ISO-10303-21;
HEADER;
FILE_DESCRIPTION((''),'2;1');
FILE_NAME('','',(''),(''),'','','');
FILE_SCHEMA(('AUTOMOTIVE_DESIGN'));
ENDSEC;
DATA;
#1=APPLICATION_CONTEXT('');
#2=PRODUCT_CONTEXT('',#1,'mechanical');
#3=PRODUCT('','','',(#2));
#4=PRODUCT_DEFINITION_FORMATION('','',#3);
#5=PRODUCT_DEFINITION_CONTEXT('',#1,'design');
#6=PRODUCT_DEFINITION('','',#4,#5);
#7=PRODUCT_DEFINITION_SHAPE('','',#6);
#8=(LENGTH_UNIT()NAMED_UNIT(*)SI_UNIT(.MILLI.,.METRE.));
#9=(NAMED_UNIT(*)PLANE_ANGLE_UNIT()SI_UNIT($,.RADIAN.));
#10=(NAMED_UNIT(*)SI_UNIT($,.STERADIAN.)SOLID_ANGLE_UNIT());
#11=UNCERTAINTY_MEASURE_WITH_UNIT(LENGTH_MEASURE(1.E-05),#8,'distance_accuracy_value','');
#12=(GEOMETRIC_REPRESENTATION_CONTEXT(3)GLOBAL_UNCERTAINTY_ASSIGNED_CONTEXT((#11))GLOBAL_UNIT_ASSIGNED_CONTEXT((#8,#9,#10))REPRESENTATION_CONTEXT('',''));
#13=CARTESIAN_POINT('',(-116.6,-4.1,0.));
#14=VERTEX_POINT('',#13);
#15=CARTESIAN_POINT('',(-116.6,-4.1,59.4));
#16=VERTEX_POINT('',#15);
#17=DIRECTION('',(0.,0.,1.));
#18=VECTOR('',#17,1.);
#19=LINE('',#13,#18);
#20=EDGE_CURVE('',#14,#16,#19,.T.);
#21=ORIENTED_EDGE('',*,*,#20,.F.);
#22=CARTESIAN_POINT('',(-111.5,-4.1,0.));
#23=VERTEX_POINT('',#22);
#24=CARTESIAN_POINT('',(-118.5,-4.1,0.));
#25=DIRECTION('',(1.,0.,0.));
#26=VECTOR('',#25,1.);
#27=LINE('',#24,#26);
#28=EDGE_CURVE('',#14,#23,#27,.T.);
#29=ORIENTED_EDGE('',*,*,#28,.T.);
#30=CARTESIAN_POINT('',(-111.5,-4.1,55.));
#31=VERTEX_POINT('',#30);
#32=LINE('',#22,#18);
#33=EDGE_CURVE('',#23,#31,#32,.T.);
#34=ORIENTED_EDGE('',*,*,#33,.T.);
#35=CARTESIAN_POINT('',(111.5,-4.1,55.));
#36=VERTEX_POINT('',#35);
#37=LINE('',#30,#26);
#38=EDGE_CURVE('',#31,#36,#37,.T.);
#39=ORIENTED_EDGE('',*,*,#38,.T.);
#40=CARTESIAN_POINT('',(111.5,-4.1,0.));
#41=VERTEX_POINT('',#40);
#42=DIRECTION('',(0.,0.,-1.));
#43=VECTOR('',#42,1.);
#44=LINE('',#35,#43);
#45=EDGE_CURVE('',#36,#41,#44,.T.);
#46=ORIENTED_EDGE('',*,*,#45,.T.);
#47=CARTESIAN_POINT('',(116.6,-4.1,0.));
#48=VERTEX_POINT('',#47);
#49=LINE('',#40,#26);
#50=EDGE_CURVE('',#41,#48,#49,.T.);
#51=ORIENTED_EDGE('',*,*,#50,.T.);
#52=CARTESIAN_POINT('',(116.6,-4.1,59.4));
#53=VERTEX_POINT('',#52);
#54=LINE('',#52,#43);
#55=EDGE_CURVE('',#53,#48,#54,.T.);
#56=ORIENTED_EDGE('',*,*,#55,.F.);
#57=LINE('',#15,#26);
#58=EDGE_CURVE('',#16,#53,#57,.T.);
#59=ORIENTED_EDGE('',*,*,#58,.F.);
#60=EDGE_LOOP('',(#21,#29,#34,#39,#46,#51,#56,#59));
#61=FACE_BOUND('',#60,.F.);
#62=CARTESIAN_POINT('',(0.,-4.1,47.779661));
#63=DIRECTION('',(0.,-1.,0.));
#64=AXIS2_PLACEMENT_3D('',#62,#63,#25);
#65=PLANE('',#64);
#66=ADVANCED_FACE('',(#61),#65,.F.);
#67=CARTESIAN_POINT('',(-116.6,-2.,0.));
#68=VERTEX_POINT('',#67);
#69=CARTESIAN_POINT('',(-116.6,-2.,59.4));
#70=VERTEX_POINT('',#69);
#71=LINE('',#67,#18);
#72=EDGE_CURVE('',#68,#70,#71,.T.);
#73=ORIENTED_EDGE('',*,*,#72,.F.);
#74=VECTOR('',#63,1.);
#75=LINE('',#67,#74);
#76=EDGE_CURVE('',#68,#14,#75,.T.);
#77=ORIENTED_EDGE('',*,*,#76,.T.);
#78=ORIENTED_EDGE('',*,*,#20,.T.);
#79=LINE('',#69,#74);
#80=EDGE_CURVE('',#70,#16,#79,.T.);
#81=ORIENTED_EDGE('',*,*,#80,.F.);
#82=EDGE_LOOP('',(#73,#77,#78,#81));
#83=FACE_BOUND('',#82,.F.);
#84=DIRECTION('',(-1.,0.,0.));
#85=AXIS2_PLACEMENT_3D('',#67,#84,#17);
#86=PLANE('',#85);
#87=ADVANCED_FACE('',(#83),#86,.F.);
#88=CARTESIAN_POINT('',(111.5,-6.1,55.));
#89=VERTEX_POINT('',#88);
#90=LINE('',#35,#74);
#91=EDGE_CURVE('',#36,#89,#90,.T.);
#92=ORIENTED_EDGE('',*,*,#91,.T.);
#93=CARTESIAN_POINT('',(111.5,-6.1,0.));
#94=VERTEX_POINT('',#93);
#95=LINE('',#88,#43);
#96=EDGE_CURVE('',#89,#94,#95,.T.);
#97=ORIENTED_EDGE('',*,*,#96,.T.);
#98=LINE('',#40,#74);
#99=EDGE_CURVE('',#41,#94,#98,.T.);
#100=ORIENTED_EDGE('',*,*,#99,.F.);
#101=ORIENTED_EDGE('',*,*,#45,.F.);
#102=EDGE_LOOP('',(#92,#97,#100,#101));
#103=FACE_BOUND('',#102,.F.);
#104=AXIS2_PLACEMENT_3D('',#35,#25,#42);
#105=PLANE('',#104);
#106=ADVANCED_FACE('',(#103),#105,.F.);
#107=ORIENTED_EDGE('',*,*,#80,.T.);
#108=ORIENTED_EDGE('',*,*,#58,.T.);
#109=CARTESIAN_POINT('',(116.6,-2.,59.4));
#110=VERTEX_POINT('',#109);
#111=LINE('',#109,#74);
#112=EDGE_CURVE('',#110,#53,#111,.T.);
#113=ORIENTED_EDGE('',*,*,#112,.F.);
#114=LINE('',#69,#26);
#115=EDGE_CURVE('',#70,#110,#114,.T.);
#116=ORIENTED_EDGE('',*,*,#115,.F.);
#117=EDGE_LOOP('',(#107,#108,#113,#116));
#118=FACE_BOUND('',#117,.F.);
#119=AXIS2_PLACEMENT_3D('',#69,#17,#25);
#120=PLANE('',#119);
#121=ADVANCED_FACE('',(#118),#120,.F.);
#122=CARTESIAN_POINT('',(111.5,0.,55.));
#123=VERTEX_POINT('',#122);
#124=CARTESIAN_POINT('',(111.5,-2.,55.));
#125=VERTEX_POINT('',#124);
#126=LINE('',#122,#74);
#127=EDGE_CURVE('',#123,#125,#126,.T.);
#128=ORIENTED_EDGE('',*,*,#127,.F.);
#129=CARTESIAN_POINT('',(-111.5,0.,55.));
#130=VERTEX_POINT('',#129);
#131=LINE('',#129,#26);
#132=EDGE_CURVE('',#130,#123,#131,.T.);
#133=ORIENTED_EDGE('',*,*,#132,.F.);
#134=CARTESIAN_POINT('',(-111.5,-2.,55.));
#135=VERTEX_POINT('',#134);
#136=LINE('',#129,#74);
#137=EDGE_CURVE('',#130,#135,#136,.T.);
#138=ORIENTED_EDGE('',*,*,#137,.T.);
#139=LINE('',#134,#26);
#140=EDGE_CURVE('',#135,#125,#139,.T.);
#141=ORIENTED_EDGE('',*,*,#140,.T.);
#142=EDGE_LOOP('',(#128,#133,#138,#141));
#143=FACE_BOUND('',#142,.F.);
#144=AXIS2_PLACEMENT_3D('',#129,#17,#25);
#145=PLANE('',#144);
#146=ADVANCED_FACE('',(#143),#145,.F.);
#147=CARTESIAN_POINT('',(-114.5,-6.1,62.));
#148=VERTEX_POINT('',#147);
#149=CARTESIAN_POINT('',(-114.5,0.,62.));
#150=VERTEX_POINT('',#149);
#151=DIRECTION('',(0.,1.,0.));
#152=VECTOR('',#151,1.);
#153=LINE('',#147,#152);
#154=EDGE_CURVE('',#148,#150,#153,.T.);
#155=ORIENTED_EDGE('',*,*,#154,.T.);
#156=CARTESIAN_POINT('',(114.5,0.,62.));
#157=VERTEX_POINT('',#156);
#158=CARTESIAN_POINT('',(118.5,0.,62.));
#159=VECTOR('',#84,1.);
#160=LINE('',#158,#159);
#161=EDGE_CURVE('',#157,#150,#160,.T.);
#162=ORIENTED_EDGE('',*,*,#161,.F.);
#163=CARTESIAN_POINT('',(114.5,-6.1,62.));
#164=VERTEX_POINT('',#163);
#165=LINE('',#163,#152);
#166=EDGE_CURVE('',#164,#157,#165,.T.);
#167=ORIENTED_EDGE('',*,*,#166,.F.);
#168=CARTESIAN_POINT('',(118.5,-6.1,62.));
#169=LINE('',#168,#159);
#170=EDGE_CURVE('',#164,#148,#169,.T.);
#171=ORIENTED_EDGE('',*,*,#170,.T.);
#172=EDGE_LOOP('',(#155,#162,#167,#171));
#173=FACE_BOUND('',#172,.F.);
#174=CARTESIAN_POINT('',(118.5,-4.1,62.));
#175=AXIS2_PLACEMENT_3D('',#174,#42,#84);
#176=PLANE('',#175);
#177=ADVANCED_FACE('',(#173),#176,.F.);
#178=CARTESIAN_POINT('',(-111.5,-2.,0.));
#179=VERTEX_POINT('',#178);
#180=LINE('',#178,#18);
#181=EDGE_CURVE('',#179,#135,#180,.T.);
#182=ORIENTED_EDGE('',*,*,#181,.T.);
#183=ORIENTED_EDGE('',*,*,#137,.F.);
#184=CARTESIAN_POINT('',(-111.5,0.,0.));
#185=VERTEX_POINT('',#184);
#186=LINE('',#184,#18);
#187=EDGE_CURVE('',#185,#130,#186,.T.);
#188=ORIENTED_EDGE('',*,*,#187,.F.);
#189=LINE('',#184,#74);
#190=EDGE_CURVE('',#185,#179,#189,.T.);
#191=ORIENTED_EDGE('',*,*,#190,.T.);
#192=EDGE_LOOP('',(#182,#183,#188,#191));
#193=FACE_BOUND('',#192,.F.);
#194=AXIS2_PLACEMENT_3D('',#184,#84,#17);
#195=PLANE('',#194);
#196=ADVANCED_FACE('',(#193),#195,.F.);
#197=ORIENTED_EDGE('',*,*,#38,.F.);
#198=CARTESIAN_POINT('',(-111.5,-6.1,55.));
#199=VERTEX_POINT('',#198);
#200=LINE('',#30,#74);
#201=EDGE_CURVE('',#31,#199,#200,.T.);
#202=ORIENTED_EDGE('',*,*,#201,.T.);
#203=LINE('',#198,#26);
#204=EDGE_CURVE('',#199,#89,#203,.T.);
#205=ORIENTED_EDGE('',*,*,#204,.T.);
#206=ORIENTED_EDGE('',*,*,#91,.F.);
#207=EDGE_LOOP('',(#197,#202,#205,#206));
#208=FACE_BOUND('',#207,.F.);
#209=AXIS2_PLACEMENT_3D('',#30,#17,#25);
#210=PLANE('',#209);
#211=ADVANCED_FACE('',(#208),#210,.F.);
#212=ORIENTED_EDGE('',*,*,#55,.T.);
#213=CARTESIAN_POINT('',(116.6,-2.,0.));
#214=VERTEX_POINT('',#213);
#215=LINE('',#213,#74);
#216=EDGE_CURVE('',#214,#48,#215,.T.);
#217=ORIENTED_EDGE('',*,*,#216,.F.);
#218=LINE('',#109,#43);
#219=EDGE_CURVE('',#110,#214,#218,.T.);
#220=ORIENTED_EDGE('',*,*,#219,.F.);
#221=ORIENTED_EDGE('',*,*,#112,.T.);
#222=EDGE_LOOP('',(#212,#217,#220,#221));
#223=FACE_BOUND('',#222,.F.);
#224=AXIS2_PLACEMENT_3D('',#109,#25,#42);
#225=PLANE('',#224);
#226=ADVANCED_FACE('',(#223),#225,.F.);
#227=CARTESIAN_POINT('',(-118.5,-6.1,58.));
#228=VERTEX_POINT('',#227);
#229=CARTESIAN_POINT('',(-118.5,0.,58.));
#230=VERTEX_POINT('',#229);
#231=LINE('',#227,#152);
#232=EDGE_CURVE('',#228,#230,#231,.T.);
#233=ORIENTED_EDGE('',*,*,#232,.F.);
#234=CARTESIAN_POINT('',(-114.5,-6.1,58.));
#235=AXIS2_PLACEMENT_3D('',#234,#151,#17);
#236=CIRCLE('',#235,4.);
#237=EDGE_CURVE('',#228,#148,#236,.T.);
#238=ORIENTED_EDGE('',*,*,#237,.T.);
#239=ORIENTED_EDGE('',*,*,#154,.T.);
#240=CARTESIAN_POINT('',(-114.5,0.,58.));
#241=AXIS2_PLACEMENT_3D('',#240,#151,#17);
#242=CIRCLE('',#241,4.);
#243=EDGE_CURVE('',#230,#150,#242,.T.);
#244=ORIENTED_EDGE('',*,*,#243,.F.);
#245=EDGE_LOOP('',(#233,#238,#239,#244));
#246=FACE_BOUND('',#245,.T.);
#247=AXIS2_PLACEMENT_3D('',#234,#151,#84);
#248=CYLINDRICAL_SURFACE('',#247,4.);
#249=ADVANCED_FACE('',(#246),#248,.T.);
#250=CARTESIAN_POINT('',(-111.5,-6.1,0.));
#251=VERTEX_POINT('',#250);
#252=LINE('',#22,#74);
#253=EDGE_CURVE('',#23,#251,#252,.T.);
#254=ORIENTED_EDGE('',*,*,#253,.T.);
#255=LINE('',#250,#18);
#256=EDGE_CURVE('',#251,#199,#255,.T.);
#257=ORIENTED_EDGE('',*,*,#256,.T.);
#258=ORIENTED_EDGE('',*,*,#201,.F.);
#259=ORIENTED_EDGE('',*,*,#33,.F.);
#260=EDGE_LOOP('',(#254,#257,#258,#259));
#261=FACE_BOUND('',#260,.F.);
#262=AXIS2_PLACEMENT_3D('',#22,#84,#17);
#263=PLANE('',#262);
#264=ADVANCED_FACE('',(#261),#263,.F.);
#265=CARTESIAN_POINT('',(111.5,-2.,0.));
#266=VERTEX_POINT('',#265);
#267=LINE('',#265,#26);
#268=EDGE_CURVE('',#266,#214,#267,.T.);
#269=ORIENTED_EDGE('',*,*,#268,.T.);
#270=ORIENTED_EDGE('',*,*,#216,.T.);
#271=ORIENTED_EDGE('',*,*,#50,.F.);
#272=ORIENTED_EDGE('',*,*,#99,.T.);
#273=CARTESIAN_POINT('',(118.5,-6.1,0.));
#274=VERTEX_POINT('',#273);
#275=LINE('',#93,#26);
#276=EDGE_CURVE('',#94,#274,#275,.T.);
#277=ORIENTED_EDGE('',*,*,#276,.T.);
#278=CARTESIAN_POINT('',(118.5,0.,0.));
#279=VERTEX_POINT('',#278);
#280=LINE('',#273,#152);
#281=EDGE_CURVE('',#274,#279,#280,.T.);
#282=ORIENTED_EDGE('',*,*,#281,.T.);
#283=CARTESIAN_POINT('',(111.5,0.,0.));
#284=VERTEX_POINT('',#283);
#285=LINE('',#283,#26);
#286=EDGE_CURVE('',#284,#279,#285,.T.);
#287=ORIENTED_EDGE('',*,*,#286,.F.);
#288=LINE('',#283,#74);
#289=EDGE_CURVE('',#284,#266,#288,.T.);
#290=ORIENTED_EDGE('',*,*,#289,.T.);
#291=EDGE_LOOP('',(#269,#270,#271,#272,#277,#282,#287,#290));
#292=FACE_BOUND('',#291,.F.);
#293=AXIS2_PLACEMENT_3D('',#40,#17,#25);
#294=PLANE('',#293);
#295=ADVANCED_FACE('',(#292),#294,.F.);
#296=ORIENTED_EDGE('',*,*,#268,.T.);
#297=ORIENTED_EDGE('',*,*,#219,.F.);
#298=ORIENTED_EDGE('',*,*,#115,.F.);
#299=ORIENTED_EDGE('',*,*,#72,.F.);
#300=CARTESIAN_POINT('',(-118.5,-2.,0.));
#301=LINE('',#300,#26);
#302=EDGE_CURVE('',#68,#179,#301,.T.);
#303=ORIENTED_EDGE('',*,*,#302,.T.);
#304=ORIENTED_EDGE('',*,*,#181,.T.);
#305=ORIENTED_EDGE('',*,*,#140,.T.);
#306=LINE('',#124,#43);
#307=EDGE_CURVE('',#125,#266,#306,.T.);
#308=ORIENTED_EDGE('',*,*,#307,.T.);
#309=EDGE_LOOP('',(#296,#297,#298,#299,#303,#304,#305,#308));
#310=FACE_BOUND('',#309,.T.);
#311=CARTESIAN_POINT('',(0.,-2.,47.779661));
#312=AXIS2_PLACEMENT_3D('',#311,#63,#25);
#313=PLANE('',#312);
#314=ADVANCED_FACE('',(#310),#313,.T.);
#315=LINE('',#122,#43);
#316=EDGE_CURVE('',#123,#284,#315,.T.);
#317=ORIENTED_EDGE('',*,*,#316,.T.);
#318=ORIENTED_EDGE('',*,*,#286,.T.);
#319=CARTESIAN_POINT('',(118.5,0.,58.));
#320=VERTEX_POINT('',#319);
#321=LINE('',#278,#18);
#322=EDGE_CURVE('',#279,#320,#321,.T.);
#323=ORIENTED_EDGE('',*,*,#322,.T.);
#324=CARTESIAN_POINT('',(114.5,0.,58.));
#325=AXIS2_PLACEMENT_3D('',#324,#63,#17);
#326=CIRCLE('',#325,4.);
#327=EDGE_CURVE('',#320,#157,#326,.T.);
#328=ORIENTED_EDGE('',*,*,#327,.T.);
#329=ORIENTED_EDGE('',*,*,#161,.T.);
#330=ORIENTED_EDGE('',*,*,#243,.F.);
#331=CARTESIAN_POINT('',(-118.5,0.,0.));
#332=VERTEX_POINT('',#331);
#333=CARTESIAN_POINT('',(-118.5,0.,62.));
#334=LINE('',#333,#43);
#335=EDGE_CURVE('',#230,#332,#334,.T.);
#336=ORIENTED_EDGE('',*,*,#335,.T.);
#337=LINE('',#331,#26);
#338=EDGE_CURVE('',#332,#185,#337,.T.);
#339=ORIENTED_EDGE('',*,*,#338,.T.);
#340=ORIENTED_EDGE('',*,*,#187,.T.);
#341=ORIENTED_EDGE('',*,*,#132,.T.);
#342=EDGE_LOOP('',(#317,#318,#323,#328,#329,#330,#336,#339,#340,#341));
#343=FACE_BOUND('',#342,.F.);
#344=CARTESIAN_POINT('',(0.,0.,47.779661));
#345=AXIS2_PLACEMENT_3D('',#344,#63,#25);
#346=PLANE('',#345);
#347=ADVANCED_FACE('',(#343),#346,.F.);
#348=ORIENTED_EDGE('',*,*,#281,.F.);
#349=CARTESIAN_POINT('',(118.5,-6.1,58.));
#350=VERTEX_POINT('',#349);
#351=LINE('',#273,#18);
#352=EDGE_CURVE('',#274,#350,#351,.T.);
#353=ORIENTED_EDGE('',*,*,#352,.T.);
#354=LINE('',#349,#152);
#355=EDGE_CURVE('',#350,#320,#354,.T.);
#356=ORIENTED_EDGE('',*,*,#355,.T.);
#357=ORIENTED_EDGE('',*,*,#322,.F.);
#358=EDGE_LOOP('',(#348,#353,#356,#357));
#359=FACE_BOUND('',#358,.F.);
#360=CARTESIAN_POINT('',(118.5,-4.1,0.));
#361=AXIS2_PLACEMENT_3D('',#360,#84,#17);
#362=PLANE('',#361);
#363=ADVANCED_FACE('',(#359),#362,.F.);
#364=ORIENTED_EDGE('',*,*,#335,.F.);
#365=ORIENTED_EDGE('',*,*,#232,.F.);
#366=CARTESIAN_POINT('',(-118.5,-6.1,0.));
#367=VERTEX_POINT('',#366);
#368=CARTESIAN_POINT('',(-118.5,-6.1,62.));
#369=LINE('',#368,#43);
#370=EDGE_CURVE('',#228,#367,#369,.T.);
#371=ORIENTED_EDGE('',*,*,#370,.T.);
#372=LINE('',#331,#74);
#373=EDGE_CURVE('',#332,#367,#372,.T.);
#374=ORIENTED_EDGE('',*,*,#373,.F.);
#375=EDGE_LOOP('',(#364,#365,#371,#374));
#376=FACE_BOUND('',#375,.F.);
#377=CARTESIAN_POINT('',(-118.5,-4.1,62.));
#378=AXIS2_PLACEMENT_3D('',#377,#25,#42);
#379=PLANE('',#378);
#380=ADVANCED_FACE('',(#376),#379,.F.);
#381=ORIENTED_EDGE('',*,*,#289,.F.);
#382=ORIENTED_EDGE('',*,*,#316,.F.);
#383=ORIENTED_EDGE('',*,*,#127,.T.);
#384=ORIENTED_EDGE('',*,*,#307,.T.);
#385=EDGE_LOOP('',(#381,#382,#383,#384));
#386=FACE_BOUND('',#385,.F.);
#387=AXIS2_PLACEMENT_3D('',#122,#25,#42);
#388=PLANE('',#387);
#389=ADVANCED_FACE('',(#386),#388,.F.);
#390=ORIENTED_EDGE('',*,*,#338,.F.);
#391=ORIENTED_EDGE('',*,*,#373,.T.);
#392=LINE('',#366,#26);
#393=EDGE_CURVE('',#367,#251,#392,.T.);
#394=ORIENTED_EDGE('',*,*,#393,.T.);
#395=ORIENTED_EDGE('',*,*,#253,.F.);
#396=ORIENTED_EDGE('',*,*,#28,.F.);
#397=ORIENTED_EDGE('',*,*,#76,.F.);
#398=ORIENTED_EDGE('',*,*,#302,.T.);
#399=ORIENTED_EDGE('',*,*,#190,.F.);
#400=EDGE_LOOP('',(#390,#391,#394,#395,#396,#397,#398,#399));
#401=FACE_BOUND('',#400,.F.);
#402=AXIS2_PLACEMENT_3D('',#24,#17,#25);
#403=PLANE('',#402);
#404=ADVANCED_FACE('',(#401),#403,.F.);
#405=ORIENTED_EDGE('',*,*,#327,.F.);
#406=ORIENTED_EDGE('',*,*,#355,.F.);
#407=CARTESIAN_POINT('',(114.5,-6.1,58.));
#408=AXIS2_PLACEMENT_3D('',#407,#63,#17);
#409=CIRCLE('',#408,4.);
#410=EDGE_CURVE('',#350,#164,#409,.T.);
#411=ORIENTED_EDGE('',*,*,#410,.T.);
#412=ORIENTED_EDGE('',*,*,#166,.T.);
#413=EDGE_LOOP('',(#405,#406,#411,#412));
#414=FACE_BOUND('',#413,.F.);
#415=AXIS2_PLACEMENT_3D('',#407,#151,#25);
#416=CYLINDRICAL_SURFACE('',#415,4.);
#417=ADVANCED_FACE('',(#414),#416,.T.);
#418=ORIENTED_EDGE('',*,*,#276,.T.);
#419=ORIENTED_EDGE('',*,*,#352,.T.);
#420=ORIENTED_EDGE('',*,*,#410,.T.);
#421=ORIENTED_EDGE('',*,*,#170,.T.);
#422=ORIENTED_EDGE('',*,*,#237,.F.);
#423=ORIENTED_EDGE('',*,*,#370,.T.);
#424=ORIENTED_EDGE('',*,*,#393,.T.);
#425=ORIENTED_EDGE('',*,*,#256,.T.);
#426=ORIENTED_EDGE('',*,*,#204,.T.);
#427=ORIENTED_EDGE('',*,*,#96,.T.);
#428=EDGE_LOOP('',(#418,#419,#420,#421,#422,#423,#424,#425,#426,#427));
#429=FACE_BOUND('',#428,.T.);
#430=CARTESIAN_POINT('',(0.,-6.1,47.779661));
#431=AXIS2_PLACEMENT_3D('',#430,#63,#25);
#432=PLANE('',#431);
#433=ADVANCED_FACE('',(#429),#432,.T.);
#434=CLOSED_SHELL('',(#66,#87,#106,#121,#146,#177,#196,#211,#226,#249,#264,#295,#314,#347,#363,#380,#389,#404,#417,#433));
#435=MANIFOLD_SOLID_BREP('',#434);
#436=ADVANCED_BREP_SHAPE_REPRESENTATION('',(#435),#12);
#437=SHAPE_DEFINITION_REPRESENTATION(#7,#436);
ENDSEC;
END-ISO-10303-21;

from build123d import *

# Parameters (mm, degrees)
F1_DEPTH = 2
F3_DEPTH = 2.1
F5_DEPTH = 2
F6_R     = 4


with BuildPart() as f1:
    # F0 (on Front) → F1 (new body)
    with BuildSketch(Plane.XZ):
        Polygon((-118.5, 62), (-118.5, 0), (-111.5, 0), (-111.5, 55), (111.5, 55), (111.5, 0), (118.5, 0), (118.5, 62), align=None)
    extrude(amount=F1_DEPTH)

    # F2 (on face) → F3 (join)
    with BuildSketch(Plane.XZ.offset(2)):
        Polygon((-118.5, 62), (-118.5, 0), (-116.6, 0), (-116.6, 59.4), (116.6, 59.4), (116.6, 0), (118.5, 0), (118.5, 62), align=None)
    extrude(amount=F3_DEPTH)

    # F4 (on face) → F5 (join)
    with BuildSketch(Plane.XZ.offset(4.1)):
        Polygon((-118.5, 62), (-118.5, 0), (-111.5, 0), (-111.5, 55), (111.5, 55), (111.5, 0), (118.5, 0), (118.5, 62), align=None)
    extrude(amount=F5_DEPTH)

    # F6
    f6_edges = [f1.edges().sort_by_distance(p)[0] for p in [
        (-118.5, -3.05, 62),
        (118.5, -3.05, 62),
    ]]
    fillet(f6_edges, radius=F6_R)


solid = f1.part
